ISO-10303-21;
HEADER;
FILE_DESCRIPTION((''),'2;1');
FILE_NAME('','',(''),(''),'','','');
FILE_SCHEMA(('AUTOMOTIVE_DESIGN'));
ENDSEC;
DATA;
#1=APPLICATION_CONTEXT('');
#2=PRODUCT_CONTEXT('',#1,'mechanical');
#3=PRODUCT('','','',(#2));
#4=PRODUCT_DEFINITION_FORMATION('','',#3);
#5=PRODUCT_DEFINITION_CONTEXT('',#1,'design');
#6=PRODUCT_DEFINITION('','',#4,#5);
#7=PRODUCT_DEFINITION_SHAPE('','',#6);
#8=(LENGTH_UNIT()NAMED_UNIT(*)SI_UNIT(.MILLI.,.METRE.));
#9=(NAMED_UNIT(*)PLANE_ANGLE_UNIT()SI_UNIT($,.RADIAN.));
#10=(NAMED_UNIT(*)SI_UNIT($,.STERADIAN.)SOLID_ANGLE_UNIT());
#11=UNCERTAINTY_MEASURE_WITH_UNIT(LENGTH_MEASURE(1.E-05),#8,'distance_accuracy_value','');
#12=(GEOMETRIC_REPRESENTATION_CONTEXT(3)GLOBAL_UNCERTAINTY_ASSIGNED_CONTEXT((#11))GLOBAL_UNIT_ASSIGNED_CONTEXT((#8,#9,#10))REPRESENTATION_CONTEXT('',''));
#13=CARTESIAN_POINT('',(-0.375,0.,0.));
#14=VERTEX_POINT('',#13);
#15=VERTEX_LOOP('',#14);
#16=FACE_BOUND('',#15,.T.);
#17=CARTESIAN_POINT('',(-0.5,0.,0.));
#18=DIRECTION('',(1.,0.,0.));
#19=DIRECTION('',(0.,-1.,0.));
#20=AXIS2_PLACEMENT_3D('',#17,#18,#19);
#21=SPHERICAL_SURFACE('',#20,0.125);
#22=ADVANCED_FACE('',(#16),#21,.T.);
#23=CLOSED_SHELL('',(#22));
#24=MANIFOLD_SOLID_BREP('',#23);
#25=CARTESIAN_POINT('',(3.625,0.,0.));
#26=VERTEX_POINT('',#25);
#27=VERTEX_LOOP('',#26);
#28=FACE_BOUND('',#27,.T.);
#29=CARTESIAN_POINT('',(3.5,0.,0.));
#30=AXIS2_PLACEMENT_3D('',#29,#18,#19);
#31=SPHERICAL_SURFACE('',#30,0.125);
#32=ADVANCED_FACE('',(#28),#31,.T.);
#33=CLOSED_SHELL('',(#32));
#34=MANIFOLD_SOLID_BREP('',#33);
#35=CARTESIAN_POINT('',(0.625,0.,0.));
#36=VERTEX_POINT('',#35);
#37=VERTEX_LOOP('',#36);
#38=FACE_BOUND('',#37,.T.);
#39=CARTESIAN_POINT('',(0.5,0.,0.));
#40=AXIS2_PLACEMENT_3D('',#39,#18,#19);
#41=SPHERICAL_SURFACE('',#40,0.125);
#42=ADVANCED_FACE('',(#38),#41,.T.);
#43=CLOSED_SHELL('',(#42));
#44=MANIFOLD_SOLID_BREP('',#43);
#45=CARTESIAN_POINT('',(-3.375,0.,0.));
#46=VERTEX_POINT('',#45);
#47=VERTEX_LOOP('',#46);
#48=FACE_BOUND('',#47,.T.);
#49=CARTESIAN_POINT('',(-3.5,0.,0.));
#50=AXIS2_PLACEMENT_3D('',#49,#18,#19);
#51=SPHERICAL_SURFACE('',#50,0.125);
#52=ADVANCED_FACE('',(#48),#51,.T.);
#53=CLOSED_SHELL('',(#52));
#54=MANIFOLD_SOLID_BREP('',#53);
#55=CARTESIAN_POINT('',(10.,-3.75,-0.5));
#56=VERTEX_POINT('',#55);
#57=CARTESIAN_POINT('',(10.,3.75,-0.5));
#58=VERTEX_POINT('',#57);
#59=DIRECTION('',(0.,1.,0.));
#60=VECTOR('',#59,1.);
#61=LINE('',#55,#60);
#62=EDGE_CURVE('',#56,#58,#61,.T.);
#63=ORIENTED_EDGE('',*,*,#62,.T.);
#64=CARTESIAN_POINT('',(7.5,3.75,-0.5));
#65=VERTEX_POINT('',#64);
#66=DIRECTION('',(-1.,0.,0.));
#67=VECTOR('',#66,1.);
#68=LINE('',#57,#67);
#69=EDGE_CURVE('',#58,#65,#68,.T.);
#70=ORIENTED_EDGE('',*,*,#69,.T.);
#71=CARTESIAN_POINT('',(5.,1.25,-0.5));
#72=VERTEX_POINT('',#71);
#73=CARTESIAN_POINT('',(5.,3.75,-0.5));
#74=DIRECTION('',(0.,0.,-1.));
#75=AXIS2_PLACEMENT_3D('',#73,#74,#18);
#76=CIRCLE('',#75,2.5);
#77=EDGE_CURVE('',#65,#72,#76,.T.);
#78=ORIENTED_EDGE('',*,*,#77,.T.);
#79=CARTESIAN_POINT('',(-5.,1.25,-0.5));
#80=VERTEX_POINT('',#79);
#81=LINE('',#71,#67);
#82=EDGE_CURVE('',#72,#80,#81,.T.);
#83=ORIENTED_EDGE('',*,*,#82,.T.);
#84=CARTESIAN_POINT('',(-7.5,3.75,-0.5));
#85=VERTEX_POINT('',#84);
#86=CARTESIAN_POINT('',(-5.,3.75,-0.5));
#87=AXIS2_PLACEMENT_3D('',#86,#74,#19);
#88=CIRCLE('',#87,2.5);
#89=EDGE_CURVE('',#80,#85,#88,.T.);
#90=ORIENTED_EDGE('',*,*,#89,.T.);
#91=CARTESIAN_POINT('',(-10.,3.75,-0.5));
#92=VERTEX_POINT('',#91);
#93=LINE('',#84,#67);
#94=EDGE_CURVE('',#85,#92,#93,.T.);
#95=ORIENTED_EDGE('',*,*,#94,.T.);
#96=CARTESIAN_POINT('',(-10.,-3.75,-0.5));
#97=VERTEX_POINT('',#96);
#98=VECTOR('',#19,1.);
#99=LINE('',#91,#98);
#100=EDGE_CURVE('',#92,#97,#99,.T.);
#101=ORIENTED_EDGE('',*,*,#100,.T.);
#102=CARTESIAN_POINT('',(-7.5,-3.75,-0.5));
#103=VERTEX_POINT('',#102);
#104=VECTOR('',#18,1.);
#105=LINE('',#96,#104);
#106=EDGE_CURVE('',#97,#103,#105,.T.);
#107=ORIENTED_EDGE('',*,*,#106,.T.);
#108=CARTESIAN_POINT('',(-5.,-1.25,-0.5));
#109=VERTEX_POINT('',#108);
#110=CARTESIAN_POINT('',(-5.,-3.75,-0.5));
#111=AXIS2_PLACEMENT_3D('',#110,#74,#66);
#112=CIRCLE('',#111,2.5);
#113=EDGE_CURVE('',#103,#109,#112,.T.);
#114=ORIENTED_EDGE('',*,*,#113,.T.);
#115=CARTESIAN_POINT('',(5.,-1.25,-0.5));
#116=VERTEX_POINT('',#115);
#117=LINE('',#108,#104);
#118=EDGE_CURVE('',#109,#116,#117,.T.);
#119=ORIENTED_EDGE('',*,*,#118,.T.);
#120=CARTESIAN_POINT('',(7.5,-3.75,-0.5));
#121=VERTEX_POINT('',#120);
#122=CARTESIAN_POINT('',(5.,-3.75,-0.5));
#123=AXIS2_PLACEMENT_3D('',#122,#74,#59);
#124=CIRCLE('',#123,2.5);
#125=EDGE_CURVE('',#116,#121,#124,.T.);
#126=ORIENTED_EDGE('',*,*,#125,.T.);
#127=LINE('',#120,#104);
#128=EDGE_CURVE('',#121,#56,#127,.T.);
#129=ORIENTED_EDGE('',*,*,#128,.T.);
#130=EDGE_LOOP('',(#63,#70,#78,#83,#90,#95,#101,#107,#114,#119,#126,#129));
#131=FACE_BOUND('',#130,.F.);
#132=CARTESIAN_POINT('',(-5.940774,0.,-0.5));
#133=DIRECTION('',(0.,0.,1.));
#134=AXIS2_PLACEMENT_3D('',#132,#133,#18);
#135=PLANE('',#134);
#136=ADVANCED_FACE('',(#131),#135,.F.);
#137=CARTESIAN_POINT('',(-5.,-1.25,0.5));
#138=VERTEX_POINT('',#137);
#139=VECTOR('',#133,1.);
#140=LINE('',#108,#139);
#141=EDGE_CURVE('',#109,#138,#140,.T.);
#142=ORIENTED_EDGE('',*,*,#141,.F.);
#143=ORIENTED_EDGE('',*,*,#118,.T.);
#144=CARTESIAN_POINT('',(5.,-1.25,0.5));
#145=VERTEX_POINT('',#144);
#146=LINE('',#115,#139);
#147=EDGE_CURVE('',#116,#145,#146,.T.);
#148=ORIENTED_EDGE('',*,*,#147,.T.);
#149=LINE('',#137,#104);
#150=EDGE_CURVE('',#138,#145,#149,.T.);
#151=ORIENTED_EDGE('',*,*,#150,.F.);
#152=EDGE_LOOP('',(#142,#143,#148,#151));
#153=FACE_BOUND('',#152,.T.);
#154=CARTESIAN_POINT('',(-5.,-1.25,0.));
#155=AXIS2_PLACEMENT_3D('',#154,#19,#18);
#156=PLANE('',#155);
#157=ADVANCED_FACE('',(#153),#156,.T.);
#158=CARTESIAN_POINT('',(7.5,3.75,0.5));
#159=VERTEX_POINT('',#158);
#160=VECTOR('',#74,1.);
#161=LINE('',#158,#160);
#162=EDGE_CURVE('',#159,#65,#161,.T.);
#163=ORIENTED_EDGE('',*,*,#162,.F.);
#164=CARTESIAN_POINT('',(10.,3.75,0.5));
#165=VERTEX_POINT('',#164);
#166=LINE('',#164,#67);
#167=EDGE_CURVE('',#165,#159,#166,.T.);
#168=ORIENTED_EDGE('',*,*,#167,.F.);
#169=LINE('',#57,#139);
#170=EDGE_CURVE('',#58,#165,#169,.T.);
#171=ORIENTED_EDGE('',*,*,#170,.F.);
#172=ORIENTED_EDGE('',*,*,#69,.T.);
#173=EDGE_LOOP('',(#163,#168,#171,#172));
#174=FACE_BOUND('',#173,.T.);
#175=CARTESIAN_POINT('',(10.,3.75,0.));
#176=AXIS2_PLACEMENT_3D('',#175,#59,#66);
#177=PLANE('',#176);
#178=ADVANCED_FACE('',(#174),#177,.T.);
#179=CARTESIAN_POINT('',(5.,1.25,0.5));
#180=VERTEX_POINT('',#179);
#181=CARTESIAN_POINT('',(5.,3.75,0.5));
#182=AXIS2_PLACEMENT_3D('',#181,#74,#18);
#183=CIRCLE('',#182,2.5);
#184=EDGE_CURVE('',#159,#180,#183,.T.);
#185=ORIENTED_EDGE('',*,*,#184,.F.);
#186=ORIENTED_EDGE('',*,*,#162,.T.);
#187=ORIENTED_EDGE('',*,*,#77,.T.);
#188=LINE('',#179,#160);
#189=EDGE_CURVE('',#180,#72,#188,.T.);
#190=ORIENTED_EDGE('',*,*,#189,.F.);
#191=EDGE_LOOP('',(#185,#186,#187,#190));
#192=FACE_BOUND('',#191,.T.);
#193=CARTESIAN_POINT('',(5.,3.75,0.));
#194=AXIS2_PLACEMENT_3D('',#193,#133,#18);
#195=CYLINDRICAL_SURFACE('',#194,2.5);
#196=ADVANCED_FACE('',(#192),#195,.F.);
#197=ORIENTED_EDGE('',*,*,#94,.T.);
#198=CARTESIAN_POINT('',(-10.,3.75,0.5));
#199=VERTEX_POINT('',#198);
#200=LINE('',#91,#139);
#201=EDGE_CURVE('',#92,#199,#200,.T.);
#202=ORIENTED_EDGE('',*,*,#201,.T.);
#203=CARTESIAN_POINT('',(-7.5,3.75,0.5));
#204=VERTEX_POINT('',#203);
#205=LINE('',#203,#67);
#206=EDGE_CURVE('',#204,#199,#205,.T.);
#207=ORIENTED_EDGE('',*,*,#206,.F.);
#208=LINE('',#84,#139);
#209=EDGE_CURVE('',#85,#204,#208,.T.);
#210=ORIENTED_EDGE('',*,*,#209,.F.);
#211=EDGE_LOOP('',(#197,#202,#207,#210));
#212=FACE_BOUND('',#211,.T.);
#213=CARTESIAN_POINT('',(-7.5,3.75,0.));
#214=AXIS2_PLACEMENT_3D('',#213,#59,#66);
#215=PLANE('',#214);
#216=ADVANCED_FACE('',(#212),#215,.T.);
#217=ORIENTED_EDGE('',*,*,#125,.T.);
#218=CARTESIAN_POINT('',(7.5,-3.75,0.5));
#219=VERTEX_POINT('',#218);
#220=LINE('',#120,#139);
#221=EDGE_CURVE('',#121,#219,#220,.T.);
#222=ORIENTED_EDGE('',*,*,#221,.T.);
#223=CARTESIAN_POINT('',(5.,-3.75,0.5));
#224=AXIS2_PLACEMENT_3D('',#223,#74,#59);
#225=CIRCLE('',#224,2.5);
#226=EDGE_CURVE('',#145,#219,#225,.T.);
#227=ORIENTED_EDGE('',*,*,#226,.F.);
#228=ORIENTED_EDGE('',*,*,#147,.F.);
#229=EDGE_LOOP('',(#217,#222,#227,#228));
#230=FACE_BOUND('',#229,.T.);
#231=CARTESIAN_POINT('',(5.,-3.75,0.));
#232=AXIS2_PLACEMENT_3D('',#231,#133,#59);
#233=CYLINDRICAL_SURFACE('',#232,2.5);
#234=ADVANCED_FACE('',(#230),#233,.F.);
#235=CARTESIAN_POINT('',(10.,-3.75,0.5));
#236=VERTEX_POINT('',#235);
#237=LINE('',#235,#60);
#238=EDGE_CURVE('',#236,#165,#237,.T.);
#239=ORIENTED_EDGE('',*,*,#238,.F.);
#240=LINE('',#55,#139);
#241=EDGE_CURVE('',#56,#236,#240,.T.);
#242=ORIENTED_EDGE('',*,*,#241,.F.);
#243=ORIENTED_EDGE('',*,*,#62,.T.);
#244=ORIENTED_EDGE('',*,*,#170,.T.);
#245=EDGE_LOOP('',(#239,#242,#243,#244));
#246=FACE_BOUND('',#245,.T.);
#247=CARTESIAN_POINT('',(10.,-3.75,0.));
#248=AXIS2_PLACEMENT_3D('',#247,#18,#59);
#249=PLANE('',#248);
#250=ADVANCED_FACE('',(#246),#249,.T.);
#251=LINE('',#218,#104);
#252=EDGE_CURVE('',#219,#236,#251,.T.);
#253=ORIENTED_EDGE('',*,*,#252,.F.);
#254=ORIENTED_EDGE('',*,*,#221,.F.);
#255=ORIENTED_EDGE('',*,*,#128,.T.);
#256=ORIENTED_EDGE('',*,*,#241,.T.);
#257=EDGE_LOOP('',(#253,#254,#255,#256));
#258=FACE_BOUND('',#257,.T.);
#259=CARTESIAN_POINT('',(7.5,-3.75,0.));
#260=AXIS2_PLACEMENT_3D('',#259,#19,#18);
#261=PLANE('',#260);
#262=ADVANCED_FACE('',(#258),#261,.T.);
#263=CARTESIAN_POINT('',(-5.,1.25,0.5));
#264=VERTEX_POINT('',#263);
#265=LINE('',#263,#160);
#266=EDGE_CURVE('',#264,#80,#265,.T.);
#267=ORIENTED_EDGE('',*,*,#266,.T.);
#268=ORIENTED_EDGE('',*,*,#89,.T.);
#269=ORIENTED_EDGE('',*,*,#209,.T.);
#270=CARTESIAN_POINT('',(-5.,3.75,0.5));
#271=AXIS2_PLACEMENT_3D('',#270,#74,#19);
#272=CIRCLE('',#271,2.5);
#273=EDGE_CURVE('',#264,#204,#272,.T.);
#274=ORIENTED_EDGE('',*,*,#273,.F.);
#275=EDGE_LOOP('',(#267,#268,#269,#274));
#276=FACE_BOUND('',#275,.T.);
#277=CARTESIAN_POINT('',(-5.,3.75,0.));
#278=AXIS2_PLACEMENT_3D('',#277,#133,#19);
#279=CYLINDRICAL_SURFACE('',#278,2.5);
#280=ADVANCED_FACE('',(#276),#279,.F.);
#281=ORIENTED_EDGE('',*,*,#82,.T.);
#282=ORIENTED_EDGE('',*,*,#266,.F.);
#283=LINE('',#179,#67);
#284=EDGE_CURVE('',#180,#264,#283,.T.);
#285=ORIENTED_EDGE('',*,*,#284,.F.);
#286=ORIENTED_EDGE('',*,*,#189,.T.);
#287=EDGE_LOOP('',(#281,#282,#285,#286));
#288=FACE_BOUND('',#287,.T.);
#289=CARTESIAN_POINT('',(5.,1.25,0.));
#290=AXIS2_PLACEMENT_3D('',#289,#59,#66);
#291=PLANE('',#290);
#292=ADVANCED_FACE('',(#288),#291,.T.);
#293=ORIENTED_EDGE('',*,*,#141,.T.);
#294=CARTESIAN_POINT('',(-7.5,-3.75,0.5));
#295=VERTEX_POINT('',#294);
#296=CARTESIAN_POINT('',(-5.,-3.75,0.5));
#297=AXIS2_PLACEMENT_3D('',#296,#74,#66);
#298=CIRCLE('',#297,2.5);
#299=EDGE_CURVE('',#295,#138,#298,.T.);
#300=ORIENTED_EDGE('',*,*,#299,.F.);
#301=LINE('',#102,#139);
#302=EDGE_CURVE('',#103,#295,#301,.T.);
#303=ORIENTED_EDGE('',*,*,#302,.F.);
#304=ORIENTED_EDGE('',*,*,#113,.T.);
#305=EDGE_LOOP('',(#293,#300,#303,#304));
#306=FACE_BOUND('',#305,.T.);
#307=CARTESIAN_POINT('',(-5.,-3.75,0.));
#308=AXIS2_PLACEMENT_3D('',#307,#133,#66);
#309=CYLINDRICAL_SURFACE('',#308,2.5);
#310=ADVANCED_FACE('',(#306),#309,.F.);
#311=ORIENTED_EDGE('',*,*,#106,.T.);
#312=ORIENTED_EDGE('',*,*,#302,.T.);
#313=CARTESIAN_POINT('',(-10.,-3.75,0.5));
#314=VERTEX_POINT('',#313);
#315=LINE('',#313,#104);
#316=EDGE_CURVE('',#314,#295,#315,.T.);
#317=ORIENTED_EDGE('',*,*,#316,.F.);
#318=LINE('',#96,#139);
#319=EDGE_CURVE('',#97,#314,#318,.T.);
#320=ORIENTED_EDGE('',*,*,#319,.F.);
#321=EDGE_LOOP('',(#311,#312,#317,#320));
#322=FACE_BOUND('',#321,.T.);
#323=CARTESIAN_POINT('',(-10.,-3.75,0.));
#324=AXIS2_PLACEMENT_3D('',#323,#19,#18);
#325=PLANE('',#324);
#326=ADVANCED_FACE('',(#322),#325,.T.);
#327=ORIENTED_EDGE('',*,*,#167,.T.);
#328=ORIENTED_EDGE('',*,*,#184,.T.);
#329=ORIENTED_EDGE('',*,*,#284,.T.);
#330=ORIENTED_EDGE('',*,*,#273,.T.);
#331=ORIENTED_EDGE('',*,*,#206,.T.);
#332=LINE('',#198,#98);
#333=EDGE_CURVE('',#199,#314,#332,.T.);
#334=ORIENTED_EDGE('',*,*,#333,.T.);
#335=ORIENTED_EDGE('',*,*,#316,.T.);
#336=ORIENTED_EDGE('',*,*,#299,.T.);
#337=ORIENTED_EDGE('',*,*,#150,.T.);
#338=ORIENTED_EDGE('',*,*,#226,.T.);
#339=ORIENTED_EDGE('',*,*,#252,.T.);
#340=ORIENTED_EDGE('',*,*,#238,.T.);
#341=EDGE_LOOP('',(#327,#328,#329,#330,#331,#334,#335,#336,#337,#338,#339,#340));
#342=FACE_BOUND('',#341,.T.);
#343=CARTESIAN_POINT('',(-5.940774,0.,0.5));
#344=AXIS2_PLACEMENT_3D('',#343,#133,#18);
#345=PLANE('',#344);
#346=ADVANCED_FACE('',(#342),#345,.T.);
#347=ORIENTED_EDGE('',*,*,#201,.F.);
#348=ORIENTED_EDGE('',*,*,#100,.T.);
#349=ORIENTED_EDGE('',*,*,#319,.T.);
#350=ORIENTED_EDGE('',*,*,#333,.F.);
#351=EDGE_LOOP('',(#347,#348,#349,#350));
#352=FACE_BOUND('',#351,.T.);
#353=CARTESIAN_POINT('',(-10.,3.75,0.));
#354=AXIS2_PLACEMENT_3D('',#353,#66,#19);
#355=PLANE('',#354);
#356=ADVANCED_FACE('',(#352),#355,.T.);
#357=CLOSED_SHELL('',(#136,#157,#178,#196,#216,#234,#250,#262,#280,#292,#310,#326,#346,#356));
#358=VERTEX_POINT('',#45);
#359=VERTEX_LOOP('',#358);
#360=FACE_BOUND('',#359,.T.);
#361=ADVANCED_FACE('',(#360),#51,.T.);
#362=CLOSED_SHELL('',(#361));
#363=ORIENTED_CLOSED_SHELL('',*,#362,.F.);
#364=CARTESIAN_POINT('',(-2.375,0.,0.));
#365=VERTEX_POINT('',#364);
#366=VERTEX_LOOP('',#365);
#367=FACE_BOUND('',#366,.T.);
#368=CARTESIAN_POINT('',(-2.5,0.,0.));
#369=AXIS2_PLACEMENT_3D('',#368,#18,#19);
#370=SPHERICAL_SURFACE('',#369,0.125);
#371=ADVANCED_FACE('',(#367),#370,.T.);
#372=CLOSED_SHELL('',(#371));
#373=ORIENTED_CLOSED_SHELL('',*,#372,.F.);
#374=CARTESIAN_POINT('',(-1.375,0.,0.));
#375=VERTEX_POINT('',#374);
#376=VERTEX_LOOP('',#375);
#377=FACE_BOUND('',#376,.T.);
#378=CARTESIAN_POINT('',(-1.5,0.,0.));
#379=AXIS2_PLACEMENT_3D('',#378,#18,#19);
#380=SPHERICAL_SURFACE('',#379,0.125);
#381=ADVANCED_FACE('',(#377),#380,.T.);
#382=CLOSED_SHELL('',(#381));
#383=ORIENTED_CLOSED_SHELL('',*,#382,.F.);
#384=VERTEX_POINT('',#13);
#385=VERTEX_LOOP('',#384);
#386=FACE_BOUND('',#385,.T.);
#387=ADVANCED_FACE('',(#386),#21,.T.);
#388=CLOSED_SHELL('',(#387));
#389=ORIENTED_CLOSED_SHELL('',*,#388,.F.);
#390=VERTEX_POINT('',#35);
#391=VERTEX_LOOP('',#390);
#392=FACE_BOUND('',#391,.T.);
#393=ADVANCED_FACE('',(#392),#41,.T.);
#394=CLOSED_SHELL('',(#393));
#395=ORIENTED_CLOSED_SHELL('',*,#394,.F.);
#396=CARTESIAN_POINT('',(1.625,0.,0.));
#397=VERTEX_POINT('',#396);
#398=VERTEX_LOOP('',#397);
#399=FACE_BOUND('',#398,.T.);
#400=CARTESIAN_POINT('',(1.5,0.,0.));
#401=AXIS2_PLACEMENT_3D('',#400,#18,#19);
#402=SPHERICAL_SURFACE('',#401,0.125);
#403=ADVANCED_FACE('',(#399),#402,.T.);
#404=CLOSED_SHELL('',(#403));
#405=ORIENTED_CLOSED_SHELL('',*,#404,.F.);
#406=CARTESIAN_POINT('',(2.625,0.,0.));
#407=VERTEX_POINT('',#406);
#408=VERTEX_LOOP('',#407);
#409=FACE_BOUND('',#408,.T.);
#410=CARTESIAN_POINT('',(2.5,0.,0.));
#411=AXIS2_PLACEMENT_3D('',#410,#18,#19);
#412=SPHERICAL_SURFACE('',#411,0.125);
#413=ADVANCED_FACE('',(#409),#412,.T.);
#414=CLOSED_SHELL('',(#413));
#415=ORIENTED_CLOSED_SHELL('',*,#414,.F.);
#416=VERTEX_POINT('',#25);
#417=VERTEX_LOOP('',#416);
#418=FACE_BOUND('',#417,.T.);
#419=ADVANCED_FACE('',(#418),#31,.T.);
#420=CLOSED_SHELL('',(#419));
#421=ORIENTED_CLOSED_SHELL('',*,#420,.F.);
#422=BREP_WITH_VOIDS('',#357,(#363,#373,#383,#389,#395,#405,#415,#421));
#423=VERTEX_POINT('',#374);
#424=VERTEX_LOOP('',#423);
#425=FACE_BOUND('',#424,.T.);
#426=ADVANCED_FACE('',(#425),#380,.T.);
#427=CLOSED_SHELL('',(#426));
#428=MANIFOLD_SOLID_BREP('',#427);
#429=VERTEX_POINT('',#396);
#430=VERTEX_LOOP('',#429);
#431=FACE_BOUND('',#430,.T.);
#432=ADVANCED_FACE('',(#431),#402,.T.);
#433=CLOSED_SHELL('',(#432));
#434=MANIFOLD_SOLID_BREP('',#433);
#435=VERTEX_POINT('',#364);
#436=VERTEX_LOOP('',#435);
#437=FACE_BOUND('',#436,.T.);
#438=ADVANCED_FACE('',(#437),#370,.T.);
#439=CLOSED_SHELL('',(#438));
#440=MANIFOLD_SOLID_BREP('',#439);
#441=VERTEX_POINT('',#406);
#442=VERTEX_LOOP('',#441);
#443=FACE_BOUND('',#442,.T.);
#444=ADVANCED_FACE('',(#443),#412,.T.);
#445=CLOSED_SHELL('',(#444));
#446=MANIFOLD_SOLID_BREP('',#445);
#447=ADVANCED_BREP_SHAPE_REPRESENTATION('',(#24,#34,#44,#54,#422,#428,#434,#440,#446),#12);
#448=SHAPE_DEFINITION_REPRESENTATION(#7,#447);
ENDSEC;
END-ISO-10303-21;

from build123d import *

# Parameters (mm, degrees)
F1_DEPTH = 0.5


with BuildPart() as f1:
    # F0 (on Top) → F1 (new body, symmetric)
    with BuildSketch(Plane.XY):
        with BuildLine():
            Line((0, -1.25), (0, 1.25))
            Line((0, 1.25), (-5, 1.25))
            ThreePointArc((-5, 1.25), (-6.767766953, 1.982233047), (-7.5, 3.75))
            Line((-7.5, 3.75), (-10, 3.75))
            Line((-10, 3.75), (-10, -3.75))
            Line((-10, -3.75), (-7.5, -3.75))
            ThreePointArc((-7.5, -3.75), (-6.767766953, -1.982233047), (-5, -1.25))
            Line((-5, -1.25), (0, -1.25))
        make_face()
        with BuildLine():
            ThreePointArc((7.5, 3.75), (6.767766953, 1.982233047), (5, 1.25))
            Line((5, 1.25), (0, 1.25))
            Line((0, 1.25), (0, -1.25))
            Line((0, -1.25), (5, -1.25))
            ThreePointArc((5, -1.25), (6.767766953, -1.982233047), (7.5, -3.75))
            Line((7.5, -3.75), (10, -3.75))
            Line((10, -3.75), (10, 3.75))
            Line((10, 3.75), (7.5, 3.75))
        make_face()
    extrude(amount=F1_DEPTH, both=True)

    # F2 (on Top) → F3 (revolve, cut)
    with BuildSketch(Plane.XY):
        with BuildLine():
            Line((-3.375, 0), (-3.625, 0))
            ThreePointArc((-3.625, 0), (-3.5, -0.125), (-3.375, 0))
        make_face()
        with BuildLine():
            Line((-2.375, 0), (-2.625, 0))
            ThreePointArc((-2.625, 0), (-2.5, -0.125), (-2.375, 0))
        make_face()
        with BuildLine():
            Line((-1.375, 0), (-1.625, 0))
            ThreePointArc((-1.625, 0), (-1.5, -0.125), (-1.375, 0))
        make_face()
        with BuildLine():
            Line((-0.375, 0), (-0.625, 0))
            ThreePointArc((-0.625, 0), (-0.5, -0.125), (-0.375, 0))
        make_face()
        with BuildLine():
            Line((0.625, 0), (0.375, 0))
            ThreePointArc((0.375, 0), (0.5, -0.125), (0.625, 0))
        make_face()
        with BuildLine():
            Line((1.625, 0), (1.375, 0))
            ThreePointArc((1.375, 0), (1.5, -0.125), (1.625, 0))
        make_face()
        with BuildLine():
            Line((2.625, 0), (2.375, 0))
            ThreePointArc((2.375, 0), (2.5, -0.125), (2.625, 0))
        make_face()
        with BuildLine():
            Line((3.625, 0), (3.375, 0))
            ThreePointArc((3.375, 0), (3.5, -0.125), (3.625, 0))
        make_face()
    revolve(axis=Axis((0, 0, 0), (1, 0, 0)), mode=Mode.SUBTRACT)


with BuildPart() as f4:
    # F2 (on Top) → F4 (revolve)
    with BuildSketch(Plane.XY):
        with BuildLine():
            Line((-3.375, 0), (-3.625, 0))
            ThreePointArc((-3.625, 0), (-3.5, -0.125), (-3.375, 0))
        make_face()
    revolve(axis=Axis((0, 0, 0), (1, 0, 0)))


with BuildPart() as f4b:
    # F2 (on Top) → F4, piece 2 (revolve)
    with BuildSketch(Plane.XY):
        with BuildLine():
            Line((-2.375, 0), (-2.625, 0))
            ThreePointArc((-2.625, 0), (-2.5, -0.125), (-2.375, 0))
        make_face()
    revolve(axis=Axis((0, 0, 0), (1, 0, 0)))


with BuildPart() as f4c:
    # F2 (on Top) → F4, piece 3 (revolve)
    with BuildSketch(Plane.XY):
        with BuildLine():
            Line((-1.375, 0), (-1.625, 0))
            ThreePointArc((-1.625, 0), (-1.5, -0.125), (-1.375, 0))
        make_face()
    revolve(axis=Axis((0, 0, 0), (1, 0, 0)))


with BuildPart() as f4d:
    # F2 (on Top) → F4, piece 4 (revolve)
    with BuildSketch(Plane.XY):
        with BuildLine():
            Line((-0.375, 0), (-0.625, 0))
            ThreePointArc((-0.625, 0), (-0.5, -0.125), (-0.375, 0))
        make_face()
    revolve(axis=Axis((0, 0, 0), (1, 0, 0)))


with BuildPart() as f4e:
    # F2 (on Top) → F4, piece 5 (revolve)
    with BuildSketch(Plane.XY):
        with BuildLine():
            Line((0.625, 0), (0.375, 0))
            ThreePointArc((0.375, 0), (0.5, -0.125), (0.625, 0))
        make_face()
    revolve(axis=Axis((0, 0, 0), (1, 0, 0)))


with BuildPart() as f4f:
    # F2 (on Top) → F4, piece 6 (revolve)
    with BuildSketch(Plane.XY):
        with BuildLine():
            Line((1.625, 0), (1.375, 0))
            ThreePointArc((1.375, 0), (1.5, -0.125), (1.625, 0))
        make_face()
    revolve(axis=Axis((0, 0, 0), (1, 0, 0)))


with BuildPart() as f4g:
    # F2 (on Top) → F4, piece 7 (revolve)
    with BuildSketch(Plane.XY):
        with BuildLine():
            Line((2.625, 0), (2.375, 0))
            ThreePointArc((2.375, 0), (2.5, -0.125), (2.625, 0))
        make_face()
    revolve(axis=Axis((0, 0, 0), (1, 0, 0)))


with BuildPart() as f4h:
    # F2 (on Top) → F4, piece 8 (revolve)
    with BuildSketch(Plane.XY):
        with BuildLine():
            Line((3.625, 0), (3.375, 0))
            ThreePointArc((3.375, 0), (3.5, -0.125), (3.625, 0))
        make_face()
    revolve(axis=Axis((0, 0, 0), (1, 0, 0)))


solid = Compound([f1.part, f4.part, f4b.part, f4c.part, f4d.part, f4e.part, f4f.part, f4g.part, f4h.part])
